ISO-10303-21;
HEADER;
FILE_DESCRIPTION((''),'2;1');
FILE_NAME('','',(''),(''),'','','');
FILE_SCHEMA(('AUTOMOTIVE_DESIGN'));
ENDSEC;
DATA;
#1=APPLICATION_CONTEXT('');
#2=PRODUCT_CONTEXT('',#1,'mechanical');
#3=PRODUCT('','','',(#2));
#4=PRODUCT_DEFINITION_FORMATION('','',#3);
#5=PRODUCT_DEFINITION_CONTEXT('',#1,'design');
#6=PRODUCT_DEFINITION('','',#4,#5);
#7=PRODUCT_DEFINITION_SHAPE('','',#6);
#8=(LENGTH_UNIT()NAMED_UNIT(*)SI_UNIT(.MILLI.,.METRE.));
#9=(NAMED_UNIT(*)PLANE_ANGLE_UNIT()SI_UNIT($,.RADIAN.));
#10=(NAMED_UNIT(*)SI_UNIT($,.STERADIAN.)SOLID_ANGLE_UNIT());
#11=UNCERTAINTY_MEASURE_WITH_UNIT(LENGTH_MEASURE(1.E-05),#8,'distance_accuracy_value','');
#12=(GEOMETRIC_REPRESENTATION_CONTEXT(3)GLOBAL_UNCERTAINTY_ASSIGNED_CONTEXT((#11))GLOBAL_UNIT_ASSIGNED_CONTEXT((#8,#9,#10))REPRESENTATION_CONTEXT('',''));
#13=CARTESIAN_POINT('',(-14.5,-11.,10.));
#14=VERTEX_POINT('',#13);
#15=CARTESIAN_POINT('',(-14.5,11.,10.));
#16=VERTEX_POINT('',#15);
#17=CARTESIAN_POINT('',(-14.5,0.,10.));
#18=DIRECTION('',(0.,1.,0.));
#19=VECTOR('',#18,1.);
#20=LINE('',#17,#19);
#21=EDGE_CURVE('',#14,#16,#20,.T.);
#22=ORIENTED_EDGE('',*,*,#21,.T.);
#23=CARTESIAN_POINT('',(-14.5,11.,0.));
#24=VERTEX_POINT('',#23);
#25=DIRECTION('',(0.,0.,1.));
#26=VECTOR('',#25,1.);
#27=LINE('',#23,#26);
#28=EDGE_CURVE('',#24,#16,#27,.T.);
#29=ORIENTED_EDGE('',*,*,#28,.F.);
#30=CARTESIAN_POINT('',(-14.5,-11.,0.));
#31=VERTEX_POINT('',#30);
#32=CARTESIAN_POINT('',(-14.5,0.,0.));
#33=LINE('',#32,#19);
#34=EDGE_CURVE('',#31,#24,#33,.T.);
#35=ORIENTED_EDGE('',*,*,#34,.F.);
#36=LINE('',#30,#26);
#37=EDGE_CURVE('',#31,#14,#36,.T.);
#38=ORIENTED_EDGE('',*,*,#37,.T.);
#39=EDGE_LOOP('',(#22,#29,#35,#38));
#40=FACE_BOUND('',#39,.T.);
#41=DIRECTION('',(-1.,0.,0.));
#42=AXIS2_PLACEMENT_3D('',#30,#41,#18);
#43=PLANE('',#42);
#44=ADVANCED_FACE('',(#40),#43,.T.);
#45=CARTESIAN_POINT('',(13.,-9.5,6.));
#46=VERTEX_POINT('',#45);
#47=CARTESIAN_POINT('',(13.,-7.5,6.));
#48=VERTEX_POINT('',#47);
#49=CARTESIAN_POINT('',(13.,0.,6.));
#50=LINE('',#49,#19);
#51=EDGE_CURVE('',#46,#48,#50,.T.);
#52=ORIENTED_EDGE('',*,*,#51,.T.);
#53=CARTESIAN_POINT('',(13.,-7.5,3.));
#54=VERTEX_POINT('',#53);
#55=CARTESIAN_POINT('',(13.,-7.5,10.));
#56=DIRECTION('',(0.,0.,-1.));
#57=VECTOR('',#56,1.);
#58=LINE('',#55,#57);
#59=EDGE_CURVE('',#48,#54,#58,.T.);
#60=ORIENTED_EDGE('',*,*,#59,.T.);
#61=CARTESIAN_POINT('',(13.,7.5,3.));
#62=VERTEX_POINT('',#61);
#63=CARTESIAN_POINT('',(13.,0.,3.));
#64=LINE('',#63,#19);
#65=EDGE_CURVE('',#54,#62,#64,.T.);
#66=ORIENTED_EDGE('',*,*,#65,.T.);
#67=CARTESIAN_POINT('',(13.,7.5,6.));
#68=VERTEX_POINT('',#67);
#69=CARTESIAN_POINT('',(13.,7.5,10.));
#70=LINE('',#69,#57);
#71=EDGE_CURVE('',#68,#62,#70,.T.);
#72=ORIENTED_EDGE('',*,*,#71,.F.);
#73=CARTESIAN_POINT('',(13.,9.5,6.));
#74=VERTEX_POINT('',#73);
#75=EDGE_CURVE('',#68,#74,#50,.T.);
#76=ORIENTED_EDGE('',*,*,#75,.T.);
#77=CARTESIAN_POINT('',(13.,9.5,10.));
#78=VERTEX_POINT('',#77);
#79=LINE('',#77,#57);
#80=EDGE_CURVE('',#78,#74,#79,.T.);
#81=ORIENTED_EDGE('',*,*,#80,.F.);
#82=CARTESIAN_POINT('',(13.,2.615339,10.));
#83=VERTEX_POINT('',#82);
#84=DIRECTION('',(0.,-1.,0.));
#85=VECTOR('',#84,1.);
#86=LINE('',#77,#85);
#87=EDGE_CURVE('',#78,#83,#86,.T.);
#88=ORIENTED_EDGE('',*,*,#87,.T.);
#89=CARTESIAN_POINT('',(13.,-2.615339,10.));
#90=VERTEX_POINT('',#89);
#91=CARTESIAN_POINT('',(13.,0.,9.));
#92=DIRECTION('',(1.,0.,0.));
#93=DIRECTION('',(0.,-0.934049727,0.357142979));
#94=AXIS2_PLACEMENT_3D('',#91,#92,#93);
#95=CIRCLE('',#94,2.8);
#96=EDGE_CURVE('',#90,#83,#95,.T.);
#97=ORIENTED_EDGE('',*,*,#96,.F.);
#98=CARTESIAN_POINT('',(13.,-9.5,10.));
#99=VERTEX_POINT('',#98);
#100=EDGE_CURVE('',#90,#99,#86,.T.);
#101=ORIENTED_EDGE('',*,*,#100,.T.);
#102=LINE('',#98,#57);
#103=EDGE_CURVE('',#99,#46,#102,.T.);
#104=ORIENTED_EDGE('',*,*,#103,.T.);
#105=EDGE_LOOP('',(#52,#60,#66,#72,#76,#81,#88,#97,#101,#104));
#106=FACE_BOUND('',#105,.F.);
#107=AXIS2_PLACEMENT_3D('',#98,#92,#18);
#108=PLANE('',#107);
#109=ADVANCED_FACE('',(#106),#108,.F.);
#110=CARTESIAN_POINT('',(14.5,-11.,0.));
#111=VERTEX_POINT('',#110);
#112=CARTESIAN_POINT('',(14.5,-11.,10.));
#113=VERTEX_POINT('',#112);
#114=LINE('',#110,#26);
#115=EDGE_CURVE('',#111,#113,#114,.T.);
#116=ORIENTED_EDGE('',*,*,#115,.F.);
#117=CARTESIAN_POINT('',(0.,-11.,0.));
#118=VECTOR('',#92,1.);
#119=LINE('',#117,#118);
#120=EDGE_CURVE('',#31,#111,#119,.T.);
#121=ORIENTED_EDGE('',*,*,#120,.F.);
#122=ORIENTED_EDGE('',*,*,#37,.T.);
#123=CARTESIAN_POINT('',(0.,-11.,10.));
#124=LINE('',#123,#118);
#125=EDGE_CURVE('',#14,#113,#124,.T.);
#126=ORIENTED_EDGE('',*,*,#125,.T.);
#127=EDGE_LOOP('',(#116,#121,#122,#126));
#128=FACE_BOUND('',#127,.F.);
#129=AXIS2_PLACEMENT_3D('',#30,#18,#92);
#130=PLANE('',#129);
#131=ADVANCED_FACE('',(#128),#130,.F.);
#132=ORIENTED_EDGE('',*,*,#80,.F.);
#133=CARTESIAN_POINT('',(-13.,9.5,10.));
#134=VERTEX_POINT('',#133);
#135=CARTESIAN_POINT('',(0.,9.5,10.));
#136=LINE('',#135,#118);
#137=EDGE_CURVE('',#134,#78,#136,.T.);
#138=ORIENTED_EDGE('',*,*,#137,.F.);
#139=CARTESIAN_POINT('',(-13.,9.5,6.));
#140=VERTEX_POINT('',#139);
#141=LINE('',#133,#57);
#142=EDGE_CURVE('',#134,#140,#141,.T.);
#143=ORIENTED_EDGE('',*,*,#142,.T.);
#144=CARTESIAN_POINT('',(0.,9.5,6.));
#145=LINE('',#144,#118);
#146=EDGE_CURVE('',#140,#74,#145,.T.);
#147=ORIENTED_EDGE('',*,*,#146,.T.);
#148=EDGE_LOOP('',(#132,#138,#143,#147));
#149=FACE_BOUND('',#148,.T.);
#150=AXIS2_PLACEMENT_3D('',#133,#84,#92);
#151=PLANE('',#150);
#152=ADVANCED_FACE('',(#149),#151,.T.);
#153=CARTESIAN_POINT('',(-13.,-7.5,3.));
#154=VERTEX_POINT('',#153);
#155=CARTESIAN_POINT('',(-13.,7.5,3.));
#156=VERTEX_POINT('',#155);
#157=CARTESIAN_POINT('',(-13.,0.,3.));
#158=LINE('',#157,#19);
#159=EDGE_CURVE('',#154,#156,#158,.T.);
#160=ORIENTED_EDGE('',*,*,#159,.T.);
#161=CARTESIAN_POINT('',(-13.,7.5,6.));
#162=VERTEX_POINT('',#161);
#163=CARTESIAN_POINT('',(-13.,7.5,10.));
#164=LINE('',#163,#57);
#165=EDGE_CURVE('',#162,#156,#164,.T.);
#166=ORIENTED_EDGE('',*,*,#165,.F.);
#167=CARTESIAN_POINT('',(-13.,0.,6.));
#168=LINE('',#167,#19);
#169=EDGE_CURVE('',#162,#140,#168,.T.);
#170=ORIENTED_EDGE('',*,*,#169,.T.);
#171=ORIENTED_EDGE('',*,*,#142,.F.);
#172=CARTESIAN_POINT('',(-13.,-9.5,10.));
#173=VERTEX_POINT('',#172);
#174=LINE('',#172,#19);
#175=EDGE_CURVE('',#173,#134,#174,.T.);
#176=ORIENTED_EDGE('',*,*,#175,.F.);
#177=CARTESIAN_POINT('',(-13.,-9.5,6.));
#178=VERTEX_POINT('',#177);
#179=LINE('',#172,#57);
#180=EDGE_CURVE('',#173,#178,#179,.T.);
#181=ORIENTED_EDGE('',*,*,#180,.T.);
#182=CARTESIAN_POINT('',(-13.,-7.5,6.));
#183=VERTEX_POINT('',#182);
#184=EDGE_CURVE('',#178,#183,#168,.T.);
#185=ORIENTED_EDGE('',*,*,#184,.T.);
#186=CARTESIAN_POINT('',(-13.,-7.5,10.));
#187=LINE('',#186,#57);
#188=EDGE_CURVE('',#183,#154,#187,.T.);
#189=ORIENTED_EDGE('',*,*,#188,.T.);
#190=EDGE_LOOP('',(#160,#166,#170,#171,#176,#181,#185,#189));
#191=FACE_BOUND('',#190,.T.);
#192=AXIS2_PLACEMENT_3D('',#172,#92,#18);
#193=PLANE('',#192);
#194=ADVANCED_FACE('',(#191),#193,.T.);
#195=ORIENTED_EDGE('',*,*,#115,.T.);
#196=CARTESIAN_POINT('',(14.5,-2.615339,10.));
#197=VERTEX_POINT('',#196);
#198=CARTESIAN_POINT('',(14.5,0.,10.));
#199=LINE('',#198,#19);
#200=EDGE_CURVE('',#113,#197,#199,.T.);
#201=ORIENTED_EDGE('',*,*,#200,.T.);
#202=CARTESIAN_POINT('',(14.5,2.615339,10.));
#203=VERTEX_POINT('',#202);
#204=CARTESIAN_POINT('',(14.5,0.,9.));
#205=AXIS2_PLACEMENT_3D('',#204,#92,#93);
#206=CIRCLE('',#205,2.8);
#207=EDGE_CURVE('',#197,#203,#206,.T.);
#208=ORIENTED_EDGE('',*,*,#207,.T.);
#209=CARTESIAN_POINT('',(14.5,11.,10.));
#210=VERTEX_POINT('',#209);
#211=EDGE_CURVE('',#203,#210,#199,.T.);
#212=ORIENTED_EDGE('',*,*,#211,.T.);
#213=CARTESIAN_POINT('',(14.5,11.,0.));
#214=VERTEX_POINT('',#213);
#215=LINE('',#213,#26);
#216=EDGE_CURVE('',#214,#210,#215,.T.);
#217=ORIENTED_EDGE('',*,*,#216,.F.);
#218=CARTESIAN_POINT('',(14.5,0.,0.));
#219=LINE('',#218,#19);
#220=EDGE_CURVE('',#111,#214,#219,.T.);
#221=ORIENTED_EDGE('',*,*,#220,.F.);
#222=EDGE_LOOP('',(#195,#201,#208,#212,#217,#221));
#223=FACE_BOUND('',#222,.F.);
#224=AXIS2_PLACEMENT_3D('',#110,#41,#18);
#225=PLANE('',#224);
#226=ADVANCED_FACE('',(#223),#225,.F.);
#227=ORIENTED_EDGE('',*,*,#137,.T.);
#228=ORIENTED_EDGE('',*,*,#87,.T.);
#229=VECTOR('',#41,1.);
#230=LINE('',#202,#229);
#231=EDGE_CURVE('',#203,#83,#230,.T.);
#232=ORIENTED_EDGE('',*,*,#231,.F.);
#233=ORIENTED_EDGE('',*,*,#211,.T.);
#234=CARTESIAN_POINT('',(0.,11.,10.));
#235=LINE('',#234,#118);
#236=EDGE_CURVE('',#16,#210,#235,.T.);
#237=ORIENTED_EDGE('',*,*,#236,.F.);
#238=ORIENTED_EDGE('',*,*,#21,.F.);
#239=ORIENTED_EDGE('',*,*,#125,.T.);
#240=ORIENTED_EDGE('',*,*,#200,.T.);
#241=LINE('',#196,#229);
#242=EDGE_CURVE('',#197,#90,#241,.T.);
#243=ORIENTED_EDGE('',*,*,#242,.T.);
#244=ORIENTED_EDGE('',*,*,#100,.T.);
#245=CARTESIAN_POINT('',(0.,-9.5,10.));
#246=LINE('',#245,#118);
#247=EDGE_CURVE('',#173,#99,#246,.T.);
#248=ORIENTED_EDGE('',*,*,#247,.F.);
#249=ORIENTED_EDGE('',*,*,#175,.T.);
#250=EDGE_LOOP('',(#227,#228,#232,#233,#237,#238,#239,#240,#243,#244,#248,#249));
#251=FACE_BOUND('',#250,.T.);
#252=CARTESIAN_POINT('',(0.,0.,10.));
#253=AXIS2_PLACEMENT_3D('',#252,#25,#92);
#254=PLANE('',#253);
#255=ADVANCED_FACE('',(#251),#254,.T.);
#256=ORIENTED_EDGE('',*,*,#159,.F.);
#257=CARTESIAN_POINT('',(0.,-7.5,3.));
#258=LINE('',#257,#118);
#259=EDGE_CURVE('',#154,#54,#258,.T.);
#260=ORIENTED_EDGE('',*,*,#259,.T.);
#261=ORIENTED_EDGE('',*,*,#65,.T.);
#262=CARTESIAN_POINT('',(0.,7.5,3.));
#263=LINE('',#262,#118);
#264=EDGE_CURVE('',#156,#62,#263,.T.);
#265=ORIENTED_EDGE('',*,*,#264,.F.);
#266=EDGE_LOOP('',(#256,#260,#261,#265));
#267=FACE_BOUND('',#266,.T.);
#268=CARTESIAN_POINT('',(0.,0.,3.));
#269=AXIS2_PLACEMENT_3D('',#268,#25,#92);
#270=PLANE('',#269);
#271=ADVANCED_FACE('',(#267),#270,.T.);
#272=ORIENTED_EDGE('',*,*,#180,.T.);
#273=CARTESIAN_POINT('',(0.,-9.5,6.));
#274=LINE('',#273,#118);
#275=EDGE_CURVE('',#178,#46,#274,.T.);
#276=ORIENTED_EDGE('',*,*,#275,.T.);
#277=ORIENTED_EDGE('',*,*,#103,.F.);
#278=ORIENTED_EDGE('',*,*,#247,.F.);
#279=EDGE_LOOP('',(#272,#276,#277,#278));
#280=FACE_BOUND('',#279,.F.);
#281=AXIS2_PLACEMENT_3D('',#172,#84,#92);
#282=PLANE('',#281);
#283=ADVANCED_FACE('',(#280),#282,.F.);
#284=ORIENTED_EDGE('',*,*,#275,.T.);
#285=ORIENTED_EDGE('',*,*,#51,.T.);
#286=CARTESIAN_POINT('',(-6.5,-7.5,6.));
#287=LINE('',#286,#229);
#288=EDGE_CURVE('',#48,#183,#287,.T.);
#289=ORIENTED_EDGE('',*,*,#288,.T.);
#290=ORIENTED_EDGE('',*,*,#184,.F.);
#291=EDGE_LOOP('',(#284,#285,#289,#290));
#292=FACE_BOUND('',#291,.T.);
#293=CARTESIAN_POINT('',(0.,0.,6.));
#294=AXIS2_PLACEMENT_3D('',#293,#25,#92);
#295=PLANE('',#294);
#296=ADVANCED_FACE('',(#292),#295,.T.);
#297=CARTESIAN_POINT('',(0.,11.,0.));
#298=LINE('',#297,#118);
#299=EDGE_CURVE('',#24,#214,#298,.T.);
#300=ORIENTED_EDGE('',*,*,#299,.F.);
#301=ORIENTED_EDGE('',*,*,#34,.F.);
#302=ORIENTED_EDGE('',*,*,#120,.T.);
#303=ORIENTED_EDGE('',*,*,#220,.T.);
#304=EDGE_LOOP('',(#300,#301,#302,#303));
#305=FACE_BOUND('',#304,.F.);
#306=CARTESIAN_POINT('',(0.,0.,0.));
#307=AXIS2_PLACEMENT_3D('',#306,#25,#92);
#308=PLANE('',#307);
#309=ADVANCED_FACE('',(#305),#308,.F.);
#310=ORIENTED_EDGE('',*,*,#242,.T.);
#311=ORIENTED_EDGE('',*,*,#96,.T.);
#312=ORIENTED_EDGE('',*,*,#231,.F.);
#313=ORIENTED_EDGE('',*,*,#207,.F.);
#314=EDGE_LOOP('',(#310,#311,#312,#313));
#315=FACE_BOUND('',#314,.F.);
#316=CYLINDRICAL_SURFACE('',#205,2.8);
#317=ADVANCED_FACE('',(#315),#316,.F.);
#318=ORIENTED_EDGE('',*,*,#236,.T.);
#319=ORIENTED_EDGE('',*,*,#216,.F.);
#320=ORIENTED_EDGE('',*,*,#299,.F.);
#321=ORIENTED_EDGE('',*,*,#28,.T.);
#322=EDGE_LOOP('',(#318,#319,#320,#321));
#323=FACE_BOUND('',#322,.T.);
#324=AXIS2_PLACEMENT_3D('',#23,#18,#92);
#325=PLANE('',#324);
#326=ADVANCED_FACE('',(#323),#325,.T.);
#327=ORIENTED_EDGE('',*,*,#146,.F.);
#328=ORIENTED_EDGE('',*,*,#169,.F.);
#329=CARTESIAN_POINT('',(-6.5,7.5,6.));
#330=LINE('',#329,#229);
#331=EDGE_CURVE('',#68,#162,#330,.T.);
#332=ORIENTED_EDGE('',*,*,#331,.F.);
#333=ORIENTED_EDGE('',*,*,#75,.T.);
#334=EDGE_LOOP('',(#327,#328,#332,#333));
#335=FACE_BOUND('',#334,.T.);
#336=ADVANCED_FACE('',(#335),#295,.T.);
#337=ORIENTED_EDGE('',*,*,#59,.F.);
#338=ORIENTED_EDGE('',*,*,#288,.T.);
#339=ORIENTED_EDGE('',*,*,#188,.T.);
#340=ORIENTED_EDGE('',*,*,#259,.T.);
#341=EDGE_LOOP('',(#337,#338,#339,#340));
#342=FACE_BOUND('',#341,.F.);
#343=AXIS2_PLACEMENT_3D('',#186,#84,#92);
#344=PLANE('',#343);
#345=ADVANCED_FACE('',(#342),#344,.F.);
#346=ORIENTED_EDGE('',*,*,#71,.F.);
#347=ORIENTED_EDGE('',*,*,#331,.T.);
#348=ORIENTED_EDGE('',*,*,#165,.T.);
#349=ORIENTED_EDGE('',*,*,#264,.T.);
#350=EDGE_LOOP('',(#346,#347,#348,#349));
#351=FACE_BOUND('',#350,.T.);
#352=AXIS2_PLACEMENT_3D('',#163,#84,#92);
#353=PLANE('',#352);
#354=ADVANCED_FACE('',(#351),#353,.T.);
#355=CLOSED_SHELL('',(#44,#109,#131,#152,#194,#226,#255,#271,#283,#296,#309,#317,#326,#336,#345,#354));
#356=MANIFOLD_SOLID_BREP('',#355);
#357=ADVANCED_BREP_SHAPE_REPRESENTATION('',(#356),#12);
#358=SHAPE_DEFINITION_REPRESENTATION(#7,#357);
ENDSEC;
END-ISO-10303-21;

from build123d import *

# Parameters (mm, degrees)
SKETCH_W        = 29
SKETCH_H        = 22
PAD_DEPTH       = 10
SKETCH001_W     = 26
SKETCH001_H     = 15
POCKET_DEPTH    = 7
SKETCH002_W     = 26
SKETCH002_H     = 19
POCKET001_DEPTH = 4
POCKET002_DEPTH = 1.5


with BuildPart() as part:
    # Sketch → Pad (new body)
    with BuildSketch(Plane.XY):
        Rectangle(SKETCH_W, SKETCH_H)
    extrude(amount=PAD_DEPTH)

    # Sketch001 → Pocket (cut)
    with BuildSketch(Plane.XY.offset(10)):
        Rectangle(SKETCH001_W, SKETCH001_H)
    extrude(amount=-POCKET_DEPTH, mode=Mode.SUBTRACT)

    # Sketch002 → Pocket001 (cut)
    with BuildSketch(Plane.XY.offset(10)):
        Rectangle(SKETCH002_W, SKETCH002_H)
    extrude(amount=-POCKET001_DEPTH, mode=Mode.SUBTRACT)

    # Sketch003 → Pocket002 (cut)
    with BuildSketch(Plane.YZ.offset(14.5)):
        with BuildLine():
            ThreePointArc((-2.615339, 10), (0, 6.2), (2.615339, 10))
            Line((-2.615339, 10), (2.615339, 10))
        make_face()
    extrude(amount=-POCKET002_DEPTH, mode=Mode.SUBTRACT)


solid = part.part
